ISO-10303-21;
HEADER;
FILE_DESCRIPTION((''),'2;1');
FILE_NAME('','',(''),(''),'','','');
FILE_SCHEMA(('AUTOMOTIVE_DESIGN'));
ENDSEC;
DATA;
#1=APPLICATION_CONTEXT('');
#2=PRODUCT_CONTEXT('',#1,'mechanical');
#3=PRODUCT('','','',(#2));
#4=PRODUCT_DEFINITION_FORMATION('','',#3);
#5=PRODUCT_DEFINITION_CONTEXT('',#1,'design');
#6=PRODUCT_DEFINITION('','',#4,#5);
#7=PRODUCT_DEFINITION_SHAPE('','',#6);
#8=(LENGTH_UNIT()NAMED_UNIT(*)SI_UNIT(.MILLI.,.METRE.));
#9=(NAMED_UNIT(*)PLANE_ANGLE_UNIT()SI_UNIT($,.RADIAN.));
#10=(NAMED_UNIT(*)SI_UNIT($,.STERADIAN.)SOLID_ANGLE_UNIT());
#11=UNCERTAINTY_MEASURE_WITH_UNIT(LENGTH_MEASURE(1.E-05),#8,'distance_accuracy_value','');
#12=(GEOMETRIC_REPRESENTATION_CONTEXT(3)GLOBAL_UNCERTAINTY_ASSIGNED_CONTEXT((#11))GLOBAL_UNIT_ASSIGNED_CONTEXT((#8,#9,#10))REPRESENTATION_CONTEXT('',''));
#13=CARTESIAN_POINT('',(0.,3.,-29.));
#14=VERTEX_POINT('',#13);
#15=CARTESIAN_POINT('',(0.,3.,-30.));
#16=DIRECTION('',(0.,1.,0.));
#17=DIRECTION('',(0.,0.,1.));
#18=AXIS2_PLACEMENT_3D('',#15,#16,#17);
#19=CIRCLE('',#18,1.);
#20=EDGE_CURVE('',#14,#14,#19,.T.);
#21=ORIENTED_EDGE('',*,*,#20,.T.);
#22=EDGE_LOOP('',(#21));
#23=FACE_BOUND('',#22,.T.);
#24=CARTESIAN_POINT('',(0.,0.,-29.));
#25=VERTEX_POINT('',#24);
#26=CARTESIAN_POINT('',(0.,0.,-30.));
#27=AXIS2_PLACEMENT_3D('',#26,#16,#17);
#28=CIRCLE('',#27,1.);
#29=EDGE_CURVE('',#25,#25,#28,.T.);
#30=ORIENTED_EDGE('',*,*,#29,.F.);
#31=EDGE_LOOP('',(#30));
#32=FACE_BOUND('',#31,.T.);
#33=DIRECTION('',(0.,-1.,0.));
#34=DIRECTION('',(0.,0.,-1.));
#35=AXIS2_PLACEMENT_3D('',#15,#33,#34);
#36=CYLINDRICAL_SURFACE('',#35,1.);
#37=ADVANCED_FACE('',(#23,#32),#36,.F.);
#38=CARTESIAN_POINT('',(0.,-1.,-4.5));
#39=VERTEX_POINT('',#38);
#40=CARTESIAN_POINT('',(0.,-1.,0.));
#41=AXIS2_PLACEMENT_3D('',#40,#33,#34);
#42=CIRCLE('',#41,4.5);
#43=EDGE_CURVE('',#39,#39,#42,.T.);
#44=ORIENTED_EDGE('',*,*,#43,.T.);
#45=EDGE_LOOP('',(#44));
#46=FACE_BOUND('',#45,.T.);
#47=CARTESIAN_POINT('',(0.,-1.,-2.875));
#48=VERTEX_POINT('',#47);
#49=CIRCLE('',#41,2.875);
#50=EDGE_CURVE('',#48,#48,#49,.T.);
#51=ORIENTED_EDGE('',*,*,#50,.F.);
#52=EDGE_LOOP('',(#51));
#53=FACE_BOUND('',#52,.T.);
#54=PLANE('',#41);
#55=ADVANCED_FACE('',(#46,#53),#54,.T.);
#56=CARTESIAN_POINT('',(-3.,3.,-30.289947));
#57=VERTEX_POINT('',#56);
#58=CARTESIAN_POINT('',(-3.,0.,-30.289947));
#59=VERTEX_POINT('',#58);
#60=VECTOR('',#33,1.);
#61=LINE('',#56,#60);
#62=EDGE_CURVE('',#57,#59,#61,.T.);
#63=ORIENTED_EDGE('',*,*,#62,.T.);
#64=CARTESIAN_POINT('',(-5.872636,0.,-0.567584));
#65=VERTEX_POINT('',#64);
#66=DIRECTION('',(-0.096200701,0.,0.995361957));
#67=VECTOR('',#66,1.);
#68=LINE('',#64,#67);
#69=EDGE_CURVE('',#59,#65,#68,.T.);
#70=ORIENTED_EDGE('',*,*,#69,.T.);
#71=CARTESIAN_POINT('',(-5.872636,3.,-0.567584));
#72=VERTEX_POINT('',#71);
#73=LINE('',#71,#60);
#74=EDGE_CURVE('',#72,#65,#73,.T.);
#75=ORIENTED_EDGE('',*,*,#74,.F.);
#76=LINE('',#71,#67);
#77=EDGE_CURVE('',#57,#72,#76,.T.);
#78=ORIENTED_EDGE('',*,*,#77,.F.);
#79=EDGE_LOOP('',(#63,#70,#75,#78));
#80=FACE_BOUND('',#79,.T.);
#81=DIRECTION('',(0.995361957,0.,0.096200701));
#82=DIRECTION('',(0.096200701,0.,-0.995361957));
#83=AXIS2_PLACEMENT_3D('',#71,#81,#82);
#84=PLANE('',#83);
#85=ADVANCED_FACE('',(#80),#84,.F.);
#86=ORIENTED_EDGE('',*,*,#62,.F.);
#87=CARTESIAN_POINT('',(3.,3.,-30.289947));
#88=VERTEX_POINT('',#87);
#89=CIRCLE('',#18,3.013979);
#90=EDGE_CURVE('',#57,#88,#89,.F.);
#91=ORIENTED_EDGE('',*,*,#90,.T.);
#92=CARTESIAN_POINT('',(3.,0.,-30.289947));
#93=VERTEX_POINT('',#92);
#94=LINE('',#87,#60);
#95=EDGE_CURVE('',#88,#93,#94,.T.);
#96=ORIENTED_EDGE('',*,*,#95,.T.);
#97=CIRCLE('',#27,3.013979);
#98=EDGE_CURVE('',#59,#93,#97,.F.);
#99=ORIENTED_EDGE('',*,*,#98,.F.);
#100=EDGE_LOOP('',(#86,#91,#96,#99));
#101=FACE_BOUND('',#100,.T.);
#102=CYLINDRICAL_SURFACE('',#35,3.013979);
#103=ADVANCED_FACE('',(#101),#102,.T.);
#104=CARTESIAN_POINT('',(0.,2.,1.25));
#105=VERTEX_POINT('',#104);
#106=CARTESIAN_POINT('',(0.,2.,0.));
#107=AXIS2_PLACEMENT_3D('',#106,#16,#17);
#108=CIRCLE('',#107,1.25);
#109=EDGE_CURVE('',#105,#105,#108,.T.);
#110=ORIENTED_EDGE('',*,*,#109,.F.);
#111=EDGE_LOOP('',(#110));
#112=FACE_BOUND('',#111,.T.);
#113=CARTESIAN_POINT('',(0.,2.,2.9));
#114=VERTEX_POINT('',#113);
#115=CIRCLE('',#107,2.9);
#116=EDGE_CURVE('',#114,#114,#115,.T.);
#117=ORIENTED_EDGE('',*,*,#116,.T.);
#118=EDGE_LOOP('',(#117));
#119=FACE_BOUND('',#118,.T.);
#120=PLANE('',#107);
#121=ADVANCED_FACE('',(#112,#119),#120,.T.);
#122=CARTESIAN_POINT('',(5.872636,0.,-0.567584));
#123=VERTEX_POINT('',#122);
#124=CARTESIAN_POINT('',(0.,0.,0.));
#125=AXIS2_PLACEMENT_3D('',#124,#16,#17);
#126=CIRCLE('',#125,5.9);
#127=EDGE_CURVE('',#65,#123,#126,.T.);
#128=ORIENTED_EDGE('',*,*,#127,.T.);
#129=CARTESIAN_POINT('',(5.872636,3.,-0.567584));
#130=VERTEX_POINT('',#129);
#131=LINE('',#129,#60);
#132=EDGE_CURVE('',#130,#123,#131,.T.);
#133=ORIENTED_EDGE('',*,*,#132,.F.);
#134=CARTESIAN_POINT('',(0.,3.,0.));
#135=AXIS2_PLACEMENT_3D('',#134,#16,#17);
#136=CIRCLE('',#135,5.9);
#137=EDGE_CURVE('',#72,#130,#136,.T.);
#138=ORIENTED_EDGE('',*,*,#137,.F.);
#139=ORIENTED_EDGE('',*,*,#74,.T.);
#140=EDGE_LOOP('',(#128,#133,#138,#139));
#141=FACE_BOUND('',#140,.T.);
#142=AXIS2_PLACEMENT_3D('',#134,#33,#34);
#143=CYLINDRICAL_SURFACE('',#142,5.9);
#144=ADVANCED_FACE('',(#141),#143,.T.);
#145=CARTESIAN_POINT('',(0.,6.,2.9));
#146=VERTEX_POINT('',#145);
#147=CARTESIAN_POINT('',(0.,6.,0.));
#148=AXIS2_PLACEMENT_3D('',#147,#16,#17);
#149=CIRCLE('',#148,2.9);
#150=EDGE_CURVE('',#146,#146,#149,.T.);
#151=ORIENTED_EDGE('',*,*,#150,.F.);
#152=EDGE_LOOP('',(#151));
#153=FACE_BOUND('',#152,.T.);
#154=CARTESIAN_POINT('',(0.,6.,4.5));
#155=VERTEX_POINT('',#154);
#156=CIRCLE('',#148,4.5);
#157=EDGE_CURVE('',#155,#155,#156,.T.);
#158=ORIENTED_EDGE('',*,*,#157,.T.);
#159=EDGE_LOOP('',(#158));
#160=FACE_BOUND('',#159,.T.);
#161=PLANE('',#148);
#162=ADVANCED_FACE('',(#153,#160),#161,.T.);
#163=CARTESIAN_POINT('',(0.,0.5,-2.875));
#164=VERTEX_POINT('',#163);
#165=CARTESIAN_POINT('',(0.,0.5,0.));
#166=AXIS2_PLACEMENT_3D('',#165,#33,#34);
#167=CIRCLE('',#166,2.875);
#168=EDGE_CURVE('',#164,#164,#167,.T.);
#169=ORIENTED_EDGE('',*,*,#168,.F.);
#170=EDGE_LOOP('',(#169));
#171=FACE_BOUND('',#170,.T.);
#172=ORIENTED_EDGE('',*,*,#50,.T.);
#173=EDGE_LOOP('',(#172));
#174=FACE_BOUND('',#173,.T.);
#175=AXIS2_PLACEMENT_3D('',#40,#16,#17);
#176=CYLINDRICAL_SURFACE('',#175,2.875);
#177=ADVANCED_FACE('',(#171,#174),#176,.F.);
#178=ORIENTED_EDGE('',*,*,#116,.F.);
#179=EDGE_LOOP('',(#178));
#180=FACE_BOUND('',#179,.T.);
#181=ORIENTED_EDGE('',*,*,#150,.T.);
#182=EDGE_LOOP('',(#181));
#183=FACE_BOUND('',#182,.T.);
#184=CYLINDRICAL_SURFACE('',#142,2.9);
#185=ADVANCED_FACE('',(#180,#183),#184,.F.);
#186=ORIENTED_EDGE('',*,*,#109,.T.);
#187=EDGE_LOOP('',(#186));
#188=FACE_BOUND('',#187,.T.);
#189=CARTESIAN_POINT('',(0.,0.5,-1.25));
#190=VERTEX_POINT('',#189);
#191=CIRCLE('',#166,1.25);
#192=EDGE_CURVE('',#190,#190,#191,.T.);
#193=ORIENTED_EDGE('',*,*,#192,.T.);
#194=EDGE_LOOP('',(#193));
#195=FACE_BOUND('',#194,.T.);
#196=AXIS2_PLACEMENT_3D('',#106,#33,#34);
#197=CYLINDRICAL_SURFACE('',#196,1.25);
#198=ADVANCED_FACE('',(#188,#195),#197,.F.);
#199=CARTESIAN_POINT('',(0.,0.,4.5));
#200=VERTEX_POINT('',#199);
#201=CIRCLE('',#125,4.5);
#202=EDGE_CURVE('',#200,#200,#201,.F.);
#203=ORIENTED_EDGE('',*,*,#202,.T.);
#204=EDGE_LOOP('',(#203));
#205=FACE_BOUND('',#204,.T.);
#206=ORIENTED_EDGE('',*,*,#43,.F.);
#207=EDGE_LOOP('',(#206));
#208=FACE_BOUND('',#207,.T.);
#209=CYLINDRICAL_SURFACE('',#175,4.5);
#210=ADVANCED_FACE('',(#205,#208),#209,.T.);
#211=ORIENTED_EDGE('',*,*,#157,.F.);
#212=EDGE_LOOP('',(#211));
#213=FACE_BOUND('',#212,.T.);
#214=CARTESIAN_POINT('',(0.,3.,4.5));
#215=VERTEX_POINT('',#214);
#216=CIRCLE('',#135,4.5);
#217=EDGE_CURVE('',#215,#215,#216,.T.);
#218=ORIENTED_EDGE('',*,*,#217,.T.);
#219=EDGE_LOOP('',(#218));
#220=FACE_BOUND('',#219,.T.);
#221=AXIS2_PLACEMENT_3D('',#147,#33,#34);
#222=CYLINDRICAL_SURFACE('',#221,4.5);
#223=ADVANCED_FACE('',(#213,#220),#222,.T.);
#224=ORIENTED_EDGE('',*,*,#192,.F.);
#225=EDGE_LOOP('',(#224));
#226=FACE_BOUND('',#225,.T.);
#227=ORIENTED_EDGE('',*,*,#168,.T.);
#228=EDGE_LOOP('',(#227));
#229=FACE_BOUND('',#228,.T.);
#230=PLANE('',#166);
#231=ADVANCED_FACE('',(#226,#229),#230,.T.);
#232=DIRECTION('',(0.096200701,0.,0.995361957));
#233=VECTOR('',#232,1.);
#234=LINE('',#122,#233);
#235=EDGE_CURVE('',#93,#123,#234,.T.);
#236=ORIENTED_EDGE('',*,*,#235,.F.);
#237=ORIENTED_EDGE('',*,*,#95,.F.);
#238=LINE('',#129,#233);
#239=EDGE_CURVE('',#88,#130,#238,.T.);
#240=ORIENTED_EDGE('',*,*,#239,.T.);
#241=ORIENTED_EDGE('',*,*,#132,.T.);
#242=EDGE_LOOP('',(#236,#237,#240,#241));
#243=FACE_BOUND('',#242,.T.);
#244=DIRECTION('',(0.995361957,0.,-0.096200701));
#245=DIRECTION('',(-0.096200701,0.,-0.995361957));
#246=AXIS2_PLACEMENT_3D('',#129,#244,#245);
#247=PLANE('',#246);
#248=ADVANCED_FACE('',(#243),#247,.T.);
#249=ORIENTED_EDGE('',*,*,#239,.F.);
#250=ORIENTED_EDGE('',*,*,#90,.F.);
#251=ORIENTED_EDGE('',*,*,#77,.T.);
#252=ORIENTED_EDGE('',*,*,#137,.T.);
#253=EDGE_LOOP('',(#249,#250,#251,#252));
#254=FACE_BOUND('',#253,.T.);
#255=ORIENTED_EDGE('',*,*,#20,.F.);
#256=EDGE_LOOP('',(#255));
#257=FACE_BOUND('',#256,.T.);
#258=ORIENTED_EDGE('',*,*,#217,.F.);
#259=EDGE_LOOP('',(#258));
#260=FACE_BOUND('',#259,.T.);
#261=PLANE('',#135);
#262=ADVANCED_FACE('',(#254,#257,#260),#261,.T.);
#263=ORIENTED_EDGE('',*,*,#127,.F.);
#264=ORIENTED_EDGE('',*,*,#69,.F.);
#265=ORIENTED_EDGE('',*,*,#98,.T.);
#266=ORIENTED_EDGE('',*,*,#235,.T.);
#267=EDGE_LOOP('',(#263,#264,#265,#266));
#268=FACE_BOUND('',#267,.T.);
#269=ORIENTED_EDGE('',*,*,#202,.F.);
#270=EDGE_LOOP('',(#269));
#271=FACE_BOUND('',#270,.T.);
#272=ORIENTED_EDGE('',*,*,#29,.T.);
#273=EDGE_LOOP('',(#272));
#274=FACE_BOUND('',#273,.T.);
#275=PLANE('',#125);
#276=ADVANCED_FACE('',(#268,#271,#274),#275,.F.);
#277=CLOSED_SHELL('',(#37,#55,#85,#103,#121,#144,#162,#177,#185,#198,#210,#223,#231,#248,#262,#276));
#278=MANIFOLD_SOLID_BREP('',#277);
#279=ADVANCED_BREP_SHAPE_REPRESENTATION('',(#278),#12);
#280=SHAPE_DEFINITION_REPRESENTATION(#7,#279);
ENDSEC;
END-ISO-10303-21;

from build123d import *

# Parameters (mm, degrees)
SKETCH2_R           = 2.9
SKETCH2_R_2         = 1
BOSS_EXTRUDE1_DEPTH = 3
SKETCH2_4_R         = 2.9
SKETCH2_4_R_2       = 1.25
BOSS_EXTRUDE2_DEPTH = 2
SKETCH7_R           = 4.5
SKETCH7_R_2         = 2.9
BOSS_EXTRUDE3_DEPTH = 3
BOSS_EXTRUDE4_START = 1
SKETCH8_R           = 4.5
SKETCH8_R_2         = 2.875
BOSS_EXTRUDE4_DEPTH = 1
SKETCH9_R           = 2.875
CUT_EXTRUDE2_DEPTH  = 0.5


with BuildPart() as part:
    # Sketch2 → Boss-Extrude1 (new body)
    with BuildSketch(Plane(origin=(0, 0, 0), x_dir=(1, 0, 0), z_dir=(0, 1, 0))):
        with BuildLine():
            ThreePointArc((3, 30.28994689), (0, 33.013978965), (-3, 30.28994689))
            Line((-3, 30.28994689), (-5.872635545, 0.567584137))
            ThreePointArc((-5.872635545, 0.567584137), (0, -5.9), (5.872635545, 0.567584137))
            Line((5.872635545, 0.567584137), (3, 30.28994689))
        make_face()
        Circle(SKETCH2_R, mode=Mode.SUBTRACT)
        with Locations((0, 30)):
            Circle(SKETCH2_R_2, mode=Mode.SUBTRACT)
    extrude(amount=BOSS_EXTRUDE1_DEPTH)

    # Sketch2<4> → Boss-Extrude2 (add)
    with BuildSketch(Plane(origin=(0, 0, 0), x_dir=(1, 0, 0), z_dir=(0, 1, 0))):
        Circle(SKETCH2_4_R)
        Circle(SKETCH2_4_R_2, mode=Mode.SUBTRACT)
    extrude(amount=BOSS_EXTRUDE2_DEPTH)

    # Sketch7 → Boss-Extrude3 (add)
    with BuildSketch(Plane(origin=(0, 3, 0), x_dir=(1, 0, 0), z_dir=(0, 1, 0))):
        Circle(SKETCH7_R)
        Circle(SKETCH7_R_2, mode=Mode.SUBTRACT)
    extrude(amount=BOSS_EXTRUDE3_DEPTH)

    # Sketch8 → Boss-Extrude4 (add)
    with BuildSketch(Plane.XZ.offset(BOSS_EXTRUDE4_START)):
        Circle(SKETCH8_R)
        Circle(SKETCH8_R_2, mode=Mode.SUBTRACT)
    extrude(amount=-BOSS_EXTRUDE4_DEPTH)

    # Sketch9 → Cut-Extrude2 (cut)
    with BuildSketch(Plane.XZ):
        Circle(SKETCH9_R)
    extrude(amount=-CUT_EXTRUDE2_DEPTH, mode=Mode.SUBTRACT)


solid = part.part
